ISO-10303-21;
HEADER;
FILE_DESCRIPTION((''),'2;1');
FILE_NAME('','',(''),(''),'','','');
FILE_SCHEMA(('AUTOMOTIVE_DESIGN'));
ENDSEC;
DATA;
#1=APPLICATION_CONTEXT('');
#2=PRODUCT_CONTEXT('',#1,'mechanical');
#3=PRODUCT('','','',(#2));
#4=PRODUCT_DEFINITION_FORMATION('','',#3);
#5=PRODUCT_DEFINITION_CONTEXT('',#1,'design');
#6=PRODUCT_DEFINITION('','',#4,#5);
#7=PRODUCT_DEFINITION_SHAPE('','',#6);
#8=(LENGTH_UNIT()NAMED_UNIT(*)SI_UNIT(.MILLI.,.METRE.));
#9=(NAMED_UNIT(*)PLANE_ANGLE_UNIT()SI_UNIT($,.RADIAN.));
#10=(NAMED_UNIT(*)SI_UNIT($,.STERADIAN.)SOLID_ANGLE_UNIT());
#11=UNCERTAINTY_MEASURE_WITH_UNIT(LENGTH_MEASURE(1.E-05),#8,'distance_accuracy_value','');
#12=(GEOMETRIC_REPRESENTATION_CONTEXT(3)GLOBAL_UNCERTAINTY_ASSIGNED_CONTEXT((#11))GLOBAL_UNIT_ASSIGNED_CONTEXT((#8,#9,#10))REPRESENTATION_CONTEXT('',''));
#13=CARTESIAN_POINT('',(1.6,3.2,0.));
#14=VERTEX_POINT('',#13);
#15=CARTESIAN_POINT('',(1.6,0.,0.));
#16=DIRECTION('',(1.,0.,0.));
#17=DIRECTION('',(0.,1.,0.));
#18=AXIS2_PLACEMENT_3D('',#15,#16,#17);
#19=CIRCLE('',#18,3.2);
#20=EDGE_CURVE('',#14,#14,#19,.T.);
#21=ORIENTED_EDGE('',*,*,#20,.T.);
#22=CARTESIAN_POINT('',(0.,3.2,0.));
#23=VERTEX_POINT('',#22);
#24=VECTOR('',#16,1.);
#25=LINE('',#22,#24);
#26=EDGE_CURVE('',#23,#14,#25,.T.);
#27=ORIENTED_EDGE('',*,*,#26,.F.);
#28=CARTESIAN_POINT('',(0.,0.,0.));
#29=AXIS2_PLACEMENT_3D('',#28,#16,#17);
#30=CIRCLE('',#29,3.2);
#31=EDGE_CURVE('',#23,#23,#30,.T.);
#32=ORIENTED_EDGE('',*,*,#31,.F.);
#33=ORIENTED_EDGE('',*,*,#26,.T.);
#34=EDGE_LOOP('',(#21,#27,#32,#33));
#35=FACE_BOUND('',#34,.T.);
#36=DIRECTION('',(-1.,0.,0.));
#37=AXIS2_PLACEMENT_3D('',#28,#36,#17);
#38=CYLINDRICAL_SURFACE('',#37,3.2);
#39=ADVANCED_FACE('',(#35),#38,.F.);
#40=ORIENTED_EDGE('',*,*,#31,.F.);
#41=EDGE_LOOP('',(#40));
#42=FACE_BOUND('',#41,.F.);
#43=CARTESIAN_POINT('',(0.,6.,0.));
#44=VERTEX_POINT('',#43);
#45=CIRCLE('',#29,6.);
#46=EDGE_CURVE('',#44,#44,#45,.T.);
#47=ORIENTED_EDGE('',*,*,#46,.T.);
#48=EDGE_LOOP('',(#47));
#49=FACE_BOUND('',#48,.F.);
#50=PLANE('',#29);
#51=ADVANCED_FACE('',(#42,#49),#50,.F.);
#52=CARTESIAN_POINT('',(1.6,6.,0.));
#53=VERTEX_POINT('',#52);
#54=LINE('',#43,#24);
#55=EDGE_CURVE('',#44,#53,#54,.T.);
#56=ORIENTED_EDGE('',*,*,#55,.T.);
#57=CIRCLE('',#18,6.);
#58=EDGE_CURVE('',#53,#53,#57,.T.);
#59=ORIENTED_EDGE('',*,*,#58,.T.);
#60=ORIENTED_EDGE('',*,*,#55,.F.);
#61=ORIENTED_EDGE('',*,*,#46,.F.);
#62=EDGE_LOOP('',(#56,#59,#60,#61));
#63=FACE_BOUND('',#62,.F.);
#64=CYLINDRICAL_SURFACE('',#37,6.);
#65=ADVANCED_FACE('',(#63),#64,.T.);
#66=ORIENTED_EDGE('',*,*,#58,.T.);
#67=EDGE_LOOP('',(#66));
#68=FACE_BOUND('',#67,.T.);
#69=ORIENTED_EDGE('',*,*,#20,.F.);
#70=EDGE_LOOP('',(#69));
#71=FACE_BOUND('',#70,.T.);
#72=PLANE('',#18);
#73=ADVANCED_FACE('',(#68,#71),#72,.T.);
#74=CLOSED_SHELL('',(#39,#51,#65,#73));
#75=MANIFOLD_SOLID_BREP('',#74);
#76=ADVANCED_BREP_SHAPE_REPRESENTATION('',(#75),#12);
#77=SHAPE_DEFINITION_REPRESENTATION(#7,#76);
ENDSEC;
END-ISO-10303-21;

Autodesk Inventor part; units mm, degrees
ref_plane "YZ Plane" through (0, 0, 0) normal (1, 0, 0) x (0, 1, 0)
ref_plane "XZ Plane" through (0, 0, 0) normal (0, 1, 0) x (-1, 0, 0)
sketch "Sketch" plane through (0, 0, 0) normal (1, 0, 0) x (0, 1, 0)
  circle A0 centre (0, 0) radius 6
  circle A1 centre (0, 0) radius 3.2
  dimension "d0" = 6.4
  dimension "d1" = 12
extrude "Body" add sketch "Sketch" along normal blind 1.6
ref_plane "Work Plane1" through (0, 0, 0) normal (0, 0, 1) x (1, 0, 0)
equation "\"d0\" = SD1"
equation "\"d1\" = SD2"
equation "\"d2\" = SD"
equation "\"SD1\" = 6.4"
equation "\"SD2\" = 12"
equation "\"SD\" = 1.6"
equation "\"NND\" = 6"
properties part number "DIN 125 - A 6.4" material "Steel, Mild"
